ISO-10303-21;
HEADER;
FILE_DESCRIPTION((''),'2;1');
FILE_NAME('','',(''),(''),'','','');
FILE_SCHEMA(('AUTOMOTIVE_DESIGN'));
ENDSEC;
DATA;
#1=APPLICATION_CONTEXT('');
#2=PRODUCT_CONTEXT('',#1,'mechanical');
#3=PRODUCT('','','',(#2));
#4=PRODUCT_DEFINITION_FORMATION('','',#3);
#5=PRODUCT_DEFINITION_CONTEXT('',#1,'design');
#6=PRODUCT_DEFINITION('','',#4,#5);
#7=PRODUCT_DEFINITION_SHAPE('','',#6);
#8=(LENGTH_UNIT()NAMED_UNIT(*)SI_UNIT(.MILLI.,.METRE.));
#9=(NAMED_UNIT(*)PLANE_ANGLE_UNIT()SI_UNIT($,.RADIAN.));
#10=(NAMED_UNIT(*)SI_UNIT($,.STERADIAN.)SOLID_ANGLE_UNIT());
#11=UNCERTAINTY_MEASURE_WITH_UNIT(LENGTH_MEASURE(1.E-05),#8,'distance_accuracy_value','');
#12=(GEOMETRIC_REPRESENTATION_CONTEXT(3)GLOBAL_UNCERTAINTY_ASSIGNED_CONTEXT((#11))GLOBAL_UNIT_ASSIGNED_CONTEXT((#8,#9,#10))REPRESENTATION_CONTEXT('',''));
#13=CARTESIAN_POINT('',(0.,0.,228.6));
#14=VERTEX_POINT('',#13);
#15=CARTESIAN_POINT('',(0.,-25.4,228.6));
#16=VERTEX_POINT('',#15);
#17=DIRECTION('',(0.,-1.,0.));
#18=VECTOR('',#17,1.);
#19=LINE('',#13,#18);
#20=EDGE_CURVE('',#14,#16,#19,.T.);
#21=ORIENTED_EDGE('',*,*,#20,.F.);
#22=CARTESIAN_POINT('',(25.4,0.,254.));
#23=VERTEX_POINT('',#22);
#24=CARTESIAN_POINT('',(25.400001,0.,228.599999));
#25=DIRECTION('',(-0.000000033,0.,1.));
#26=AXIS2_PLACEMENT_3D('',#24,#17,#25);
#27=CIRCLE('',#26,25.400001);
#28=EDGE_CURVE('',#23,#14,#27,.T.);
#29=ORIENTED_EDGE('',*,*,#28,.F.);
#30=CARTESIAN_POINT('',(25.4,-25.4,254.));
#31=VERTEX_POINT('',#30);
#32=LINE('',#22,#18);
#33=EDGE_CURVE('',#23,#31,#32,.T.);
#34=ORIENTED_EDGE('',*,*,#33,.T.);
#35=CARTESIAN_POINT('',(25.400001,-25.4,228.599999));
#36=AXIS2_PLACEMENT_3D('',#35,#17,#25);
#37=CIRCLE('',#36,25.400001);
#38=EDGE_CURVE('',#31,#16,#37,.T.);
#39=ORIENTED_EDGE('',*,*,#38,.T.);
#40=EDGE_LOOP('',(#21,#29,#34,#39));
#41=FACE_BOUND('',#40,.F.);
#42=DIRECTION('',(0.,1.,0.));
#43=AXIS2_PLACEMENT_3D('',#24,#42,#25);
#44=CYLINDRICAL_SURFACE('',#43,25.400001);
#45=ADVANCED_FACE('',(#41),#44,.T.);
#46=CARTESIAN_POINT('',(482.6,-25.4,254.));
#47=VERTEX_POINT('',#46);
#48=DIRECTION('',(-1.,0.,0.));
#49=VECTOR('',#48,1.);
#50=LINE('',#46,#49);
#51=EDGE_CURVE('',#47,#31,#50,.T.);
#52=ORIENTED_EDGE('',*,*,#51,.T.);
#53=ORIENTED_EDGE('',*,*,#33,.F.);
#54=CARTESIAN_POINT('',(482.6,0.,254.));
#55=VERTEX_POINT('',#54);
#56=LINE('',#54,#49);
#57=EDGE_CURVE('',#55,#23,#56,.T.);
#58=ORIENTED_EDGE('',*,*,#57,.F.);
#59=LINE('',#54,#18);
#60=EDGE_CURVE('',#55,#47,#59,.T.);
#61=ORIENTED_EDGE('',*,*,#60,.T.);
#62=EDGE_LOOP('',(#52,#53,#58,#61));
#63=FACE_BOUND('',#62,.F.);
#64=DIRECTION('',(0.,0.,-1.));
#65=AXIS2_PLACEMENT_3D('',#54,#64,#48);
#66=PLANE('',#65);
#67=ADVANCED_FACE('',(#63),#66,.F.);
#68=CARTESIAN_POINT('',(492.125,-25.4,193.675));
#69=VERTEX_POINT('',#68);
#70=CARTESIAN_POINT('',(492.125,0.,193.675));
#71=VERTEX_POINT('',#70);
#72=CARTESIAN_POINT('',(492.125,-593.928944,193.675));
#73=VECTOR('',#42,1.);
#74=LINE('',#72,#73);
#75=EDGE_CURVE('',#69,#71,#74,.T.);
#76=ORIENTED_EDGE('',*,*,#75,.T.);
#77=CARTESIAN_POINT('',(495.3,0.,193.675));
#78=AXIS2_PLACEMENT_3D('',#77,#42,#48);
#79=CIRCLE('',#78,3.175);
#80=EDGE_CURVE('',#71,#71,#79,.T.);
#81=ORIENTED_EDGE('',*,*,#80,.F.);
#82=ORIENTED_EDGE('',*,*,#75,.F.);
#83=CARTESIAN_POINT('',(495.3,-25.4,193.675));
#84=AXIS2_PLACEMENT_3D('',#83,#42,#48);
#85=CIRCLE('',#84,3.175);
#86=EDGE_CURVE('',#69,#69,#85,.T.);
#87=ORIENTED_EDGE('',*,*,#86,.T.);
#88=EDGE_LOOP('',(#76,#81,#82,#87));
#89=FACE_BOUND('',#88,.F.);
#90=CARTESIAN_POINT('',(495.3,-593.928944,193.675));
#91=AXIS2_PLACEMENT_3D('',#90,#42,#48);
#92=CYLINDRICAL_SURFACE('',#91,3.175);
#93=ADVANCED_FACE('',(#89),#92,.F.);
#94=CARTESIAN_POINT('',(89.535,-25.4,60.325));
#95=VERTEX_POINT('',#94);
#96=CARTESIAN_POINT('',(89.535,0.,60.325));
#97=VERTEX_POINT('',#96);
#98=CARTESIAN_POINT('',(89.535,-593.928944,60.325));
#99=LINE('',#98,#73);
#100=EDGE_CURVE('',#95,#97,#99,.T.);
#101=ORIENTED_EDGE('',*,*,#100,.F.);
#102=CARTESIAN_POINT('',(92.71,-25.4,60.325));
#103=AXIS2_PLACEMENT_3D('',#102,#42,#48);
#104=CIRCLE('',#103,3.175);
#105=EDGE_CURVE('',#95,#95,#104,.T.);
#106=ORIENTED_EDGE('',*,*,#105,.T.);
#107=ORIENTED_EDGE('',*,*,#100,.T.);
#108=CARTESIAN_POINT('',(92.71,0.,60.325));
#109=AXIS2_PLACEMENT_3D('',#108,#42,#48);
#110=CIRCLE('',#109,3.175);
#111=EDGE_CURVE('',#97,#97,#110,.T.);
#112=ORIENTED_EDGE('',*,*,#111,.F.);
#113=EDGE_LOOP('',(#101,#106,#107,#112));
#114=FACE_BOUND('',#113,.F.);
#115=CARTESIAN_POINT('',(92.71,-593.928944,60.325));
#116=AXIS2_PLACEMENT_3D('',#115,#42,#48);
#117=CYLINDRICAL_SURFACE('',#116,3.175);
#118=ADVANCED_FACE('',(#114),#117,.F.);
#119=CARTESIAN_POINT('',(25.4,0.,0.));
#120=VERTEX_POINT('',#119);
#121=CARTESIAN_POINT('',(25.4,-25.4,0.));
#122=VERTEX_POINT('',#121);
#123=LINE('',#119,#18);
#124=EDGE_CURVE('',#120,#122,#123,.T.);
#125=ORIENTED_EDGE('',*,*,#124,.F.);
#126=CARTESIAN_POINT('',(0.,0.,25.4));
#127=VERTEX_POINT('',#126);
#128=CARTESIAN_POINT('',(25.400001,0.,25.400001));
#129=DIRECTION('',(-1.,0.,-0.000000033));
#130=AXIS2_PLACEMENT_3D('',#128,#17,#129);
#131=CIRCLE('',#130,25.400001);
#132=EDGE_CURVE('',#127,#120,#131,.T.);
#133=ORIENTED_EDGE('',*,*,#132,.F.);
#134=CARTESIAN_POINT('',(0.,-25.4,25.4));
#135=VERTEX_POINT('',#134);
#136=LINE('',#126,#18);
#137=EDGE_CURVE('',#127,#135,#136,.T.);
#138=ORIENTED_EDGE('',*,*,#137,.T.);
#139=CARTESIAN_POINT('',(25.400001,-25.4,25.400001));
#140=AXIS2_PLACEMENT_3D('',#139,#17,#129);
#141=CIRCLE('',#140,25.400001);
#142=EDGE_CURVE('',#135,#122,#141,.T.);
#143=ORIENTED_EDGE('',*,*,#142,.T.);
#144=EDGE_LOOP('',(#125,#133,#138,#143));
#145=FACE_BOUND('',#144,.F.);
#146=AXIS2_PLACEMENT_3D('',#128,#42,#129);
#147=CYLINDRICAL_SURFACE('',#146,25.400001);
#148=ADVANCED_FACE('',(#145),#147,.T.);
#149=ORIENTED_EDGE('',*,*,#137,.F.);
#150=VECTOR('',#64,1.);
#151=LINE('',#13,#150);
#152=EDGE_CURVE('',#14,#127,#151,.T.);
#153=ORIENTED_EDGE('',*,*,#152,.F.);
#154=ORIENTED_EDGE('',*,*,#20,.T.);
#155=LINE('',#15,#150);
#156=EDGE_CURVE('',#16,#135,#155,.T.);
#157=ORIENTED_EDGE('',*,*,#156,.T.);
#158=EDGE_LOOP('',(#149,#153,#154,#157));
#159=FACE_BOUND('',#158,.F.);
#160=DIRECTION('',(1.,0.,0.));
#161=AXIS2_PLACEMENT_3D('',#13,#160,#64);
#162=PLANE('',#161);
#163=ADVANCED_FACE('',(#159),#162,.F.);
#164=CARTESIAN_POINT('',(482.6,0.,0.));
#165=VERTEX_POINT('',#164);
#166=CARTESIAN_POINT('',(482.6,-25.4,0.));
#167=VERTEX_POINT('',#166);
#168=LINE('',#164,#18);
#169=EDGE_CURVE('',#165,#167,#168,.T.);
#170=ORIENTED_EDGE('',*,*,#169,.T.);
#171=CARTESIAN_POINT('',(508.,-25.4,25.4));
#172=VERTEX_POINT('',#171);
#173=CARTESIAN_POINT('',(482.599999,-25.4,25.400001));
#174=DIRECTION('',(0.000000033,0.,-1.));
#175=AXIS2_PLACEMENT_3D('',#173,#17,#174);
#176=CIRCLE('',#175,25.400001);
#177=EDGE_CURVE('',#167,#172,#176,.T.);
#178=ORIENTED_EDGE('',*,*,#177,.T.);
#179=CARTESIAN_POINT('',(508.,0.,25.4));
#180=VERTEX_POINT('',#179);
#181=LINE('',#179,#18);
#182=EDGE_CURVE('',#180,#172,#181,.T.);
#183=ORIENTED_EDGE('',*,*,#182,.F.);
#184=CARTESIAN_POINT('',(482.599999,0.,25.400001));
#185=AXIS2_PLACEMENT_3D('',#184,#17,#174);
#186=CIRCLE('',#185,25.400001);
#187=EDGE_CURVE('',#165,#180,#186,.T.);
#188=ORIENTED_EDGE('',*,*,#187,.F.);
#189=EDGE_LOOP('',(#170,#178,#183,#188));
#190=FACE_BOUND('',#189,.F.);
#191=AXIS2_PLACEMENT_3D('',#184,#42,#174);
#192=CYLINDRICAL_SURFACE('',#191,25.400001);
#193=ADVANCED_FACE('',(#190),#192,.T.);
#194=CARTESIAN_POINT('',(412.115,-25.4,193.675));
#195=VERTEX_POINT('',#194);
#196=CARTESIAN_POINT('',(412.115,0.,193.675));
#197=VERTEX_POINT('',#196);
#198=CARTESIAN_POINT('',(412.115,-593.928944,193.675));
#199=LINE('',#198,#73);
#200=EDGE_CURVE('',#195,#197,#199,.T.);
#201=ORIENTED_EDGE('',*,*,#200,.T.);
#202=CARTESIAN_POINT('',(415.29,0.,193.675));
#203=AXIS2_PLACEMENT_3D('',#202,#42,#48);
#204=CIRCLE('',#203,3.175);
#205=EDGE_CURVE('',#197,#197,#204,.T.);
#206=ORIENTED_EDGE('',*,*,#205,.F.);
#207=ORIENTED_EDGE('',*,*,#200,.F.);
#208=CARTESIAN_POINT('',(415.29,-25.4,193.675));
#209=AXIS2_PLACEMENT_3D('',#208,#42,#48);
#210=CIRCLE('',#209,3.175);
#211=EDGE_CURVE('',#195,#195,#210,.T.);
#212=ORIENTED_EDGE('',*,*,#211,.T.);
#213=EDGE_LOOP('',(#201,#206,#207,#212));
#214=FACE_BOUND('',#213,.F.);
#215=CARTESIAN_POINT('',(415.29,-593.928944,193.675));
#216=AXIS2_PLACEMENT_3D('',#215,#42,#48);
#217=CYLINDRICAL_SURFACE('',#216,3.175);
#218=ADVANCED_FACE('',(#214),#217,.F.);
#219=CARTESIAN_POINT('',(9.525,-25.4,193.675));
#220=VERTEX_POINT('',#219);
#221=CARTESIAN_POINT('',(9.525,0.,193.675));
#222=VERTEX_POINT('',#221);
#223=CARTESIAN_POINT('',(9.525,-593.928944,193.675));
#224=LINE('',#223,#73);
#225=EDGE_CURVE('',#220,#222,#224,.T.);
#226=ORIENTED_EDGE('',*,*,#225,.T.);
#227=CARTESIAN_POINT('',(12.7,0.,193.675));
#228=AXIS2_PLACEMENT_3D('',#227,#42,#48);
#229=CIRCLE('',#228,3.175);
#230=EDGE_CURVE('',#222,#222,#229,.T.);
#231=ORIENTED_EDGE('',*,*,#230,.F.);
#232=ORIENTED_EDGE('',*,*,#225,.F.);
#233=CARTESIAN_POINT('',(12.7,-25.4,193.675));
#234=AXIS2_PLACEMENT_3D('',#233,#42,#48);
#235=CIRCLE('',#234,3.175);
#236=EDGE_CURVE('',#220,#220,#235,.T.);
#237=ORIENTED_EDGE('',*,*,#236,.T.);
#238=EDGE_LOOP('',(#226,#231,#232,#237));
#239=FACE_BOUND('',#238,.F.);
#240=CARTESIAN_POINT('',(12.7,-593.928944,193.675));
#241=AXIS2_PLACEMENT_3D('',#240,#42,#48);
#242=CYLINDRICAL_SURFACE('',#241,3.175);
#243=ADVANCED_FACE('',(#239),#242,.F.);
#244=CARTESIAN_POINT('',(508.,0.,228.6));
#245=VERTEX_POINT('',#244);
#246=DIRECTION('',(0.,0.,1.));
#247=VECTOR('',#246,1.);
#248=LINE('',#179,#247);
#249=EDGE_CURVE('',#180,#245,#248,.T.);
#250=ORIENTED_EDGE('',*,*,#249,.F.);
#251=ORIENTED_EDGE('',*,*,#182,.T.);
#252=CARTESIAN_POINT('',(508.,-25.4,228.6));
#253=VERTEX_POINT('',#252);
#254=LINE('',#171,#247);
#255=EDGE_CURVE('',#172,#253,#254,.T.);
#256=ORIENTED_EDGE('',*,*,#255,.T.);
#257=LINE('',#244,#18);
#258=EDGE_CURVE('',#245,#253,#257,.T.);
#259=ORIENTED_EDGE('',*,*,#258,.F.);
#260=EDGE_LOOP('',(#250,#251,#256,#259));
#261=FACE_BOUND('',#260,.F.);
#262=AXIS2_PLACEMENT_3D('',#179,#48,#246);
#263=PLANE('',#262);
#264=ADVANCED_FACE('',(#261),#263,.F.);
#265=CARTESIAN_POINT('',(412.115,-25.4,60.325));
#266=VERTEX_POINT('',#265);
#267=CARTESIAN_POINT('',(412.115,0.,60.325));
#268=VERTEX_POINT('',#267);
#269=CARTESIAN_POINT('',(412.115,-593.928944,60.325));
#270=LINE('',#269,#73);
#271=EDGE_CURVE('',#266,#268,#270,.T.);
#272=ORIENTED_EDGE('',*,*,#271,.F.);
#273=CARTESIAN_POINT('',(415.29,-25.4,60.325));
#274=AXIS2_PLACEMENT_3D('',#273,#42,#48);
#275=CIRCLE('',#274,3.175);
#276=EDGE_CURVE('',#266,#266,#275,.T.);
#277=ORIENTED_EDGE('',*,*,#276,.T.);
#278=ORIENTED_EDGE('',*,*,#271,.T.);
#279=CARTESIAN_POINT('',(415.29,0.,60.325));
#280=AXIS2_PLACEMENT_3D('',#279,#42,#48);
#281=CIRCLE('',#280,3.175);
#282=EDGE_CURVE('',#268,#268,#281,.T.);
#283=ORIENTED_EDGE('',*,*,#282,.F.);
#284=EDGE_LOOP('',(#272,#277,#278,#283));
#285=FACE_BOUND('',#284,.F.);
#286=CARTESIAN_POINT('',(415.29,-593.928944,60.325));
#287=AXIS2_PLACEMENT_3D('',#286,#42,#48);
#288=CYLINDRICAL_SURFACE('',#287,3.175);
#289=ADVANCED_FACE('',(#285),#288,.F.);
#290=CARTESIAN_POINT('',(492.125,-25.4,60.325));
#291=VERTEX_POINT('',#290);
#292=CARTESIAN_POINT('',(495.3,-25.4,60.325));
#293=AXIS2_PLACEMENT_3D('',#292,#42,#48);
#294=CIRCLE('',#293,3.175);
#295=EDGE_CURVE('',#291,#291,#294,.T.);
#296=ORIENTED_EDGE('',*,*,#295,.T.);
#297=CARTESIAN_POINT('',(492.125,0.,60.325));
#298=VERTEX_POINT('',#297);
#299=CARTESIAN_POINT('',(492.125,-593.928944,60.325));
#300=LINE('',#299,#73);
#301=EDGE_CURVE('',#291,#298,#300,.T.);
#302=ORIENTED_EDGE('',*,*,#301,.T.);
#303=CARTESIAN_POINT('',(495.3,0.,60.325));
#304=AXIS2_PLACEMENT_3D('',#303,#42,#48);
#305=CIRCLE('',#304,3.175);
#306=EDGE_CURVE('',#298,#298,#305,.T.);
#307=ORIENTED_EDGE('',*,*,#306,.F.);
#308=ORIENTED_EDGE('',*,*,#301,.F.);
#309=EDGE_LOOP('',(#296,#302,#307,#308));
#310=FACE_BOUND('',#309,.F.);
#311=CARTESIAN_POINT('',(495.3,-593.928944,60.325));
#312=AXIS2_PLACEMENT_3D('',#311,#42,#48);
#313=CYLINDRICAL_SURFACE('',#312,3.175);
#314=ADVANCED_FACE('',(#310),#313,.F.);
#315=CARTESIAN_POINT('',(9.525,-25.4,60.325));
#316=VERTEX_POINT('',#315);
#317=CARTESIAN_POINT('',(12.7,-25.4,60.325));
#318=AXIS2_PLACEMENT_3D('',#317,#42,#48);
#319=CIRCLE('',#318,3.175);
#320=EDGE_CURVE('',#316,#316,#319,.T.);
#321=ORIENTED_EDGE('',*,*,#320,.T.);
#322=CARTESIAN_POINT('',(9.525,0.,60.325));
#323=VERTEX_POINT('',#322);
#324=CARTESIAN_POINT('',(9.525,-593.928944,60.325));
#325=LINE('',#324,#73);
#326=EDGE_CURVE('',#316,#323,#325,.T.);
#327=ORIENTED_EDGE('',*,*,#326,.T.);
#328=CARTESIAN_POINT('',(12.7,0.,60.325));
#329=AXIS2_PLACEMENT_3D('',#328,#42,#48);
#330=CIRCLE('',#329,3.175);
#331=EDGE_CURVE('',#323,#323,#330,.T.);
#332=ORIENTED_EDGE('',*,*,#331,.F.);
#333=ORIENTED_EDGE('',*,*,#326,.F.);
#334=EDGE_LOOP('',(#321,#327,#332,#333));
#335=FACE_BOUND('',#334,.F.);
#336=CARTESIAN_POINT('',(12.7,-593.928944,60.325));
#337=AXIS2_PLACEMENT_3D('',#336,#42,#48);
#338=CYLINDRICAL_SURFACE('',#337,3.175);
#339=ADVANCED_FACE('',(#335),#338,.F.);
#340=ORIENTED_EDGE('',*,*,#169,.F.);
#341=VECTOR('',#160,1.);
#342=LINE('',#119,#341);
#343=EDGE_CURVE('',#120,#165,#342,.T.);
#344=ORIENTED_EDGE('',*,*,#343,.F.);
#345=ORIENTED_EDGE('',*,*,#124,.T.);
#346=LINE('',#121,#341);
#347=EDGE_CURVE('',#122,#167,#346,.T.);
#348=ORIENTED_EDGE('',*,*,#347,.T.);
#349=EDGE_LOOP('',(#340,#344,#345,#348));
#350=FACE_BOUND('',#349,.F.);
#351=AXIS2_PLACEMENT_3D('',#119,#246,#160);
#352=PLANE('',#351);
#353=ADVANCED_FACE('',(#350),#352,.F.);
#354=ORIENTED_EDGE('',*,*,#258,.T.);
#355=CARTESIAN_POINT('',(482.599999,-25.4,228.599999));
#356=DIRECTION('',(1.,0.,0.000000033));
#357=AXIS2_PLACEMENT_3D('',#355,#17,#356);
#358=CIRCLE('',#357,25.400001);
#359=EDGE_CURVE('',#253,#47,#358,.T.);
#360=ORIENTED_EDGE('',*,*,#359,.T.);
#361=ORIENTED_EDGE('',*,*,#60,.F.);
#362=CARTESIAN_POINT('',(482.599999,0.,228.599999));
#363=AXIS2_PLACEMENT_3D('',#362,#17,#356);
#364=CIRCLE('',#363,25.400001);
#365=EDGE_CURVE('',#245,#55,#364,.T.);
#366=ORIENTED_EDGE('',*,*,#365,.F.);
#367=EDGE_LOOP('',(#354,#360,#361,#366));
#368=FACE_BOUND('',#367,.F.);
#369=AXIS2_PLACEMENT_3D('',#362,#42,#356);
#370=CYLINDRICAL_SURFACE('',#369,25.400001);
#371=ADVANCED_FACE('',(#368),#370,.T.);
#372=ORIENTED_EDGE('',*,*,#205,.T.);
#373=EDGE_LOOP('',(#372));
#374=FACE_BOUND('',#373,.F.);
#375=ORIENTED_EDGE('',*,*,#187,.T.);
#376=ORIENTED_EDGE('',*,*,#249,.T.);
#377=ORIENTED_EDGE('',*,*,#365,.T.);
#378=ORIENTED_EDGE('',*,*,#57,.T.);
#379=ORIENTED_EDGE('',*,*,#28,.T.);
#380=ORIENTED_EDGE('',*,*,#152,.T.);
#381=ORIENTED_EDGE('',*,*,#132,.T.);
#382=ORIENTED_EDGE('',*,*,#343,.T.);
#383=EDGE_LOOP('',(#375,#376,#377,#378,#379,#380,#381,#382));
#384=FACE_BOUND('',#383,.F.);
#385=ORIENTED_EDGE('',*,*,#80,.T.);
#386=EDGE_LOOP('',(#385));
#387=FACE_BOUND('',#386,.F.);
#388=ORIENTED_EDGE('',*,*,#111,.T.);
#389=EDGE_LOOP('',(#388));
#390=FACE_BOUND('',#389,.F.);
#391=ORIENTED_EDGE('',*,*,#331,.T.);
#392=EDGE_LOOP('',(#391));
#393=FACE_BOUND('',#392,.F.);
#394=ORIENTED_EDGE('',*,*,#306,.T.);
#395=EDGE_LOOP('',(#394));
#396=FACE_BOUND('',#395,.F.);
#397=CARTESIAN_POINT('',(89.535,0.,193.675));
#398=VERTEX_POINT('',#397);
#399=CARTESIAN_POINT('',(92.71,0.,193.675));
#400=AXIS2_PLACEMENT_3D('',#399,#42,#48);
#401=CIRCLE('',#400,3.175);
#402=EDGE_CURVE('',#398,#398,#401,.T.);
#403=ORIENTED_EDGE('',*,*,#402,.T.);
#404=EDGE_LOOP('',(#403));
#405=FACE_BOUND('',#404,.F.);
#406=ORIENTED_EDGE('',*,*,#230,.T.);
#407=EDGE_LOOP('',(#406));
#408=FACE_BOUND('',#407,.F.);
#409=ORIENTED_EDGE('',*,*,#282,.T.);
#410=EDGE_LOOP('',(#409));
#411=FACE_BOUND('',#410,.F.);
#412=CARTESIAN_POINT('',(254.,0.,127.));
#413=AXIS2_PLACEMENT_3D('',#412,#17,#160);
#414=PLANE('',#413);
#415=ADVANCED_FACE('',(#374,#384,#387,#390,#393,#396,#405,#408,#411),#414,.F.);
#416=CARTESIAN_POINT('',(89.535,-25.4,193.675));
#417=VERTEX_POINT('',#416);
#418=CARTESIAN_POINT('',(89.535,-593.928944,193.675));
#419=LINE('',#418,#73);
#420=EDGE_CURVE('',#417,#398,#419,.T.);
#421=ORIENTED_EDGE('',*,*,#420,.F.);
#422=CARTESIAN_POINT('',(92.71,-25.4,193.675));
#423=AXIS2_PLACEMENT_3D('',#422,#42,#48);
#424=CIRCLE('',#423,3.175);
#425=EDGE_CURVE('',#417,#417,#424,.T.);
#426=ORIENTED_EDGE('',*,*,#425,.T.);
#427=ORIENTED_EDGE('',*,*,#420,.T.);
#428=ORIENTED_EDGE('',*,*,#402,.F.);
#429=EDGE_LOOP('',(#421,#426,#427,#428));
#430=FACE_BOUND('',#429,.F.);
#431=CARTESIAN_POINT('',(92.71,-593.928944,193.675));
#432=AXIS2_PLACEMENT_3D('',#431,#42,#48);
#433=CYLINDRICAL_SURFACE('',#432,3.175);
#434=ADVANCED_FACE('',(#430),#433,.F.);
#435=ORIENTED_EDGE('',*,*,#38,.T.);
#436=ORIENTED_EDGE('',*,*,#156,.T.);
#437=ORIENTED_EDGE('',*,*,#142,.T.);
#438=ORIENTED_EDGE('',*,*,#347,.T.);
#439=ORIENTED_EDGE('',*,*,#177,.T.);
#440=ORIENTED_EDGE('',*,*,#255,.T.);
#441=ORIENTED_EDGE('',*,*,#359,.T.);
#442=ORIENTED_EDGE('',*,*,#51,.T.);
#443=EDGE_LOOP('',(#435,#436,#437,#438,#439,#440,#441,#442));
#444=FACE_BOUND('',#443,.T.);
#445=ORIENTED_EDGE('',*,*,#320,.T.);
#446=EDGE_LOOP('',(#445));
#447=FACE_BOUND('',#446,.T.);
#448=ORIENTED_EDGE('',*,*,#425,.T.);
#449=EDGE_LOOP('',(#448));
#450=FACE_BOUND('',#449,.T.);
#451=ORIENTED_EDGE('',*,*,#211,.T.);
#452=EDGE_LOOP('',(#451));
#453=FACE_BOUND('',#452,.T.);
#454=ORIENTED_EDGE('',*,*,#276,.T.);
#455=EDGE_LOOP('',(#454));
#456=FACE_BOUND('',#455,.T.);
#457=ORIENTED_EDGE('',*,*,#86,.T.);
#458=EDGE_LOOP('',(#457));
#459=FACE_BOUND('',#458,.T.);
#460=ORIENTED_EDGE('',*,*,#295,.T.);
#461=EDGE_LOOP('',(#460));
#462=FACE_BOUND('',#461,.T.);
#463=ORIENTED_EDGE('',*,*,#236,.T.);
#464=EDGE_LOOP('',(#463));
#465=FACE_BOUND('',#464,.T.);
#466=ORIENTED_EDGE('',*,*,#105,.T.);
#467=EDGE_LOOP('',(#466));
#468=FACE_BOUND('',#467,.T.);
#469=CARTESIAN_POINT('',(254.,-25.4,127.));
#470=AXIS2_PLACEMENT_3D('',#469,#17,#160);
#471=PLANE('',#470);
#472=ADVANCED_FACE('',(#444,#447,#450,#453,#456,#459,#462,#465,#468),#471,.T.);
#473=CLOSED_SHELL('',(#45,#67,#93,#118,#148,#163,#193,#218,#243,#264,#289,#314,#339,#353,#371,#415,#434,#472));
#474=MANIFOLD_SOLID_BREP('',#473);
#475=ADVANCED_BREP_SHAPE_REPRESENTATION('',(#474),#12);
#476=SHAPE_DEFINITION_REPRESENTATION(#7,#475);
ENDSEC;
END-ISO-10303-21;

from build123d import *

# Parameters (mm, degrees)
F1_DEPTH = 25.4
F3_D     = 6.35


with BuildPart() as f1:
    # F0 (on Front) → F1 (new body)
    with BuildSketch(Plane.XZ):
        with BuildLine():
            Line((0, 228.6), (0, 25.4))
            ThreePointArc((0, 25.4), (7.439488, 7.439488), (25.4, 0))
            Line((25.4, 0), (482.6, 0))
            ThreePointArc((482.6, 0), (500.560512, 7.439488), (508, 25.4))
            Line((508, 25.4), (508, 228.6))
            ThreePointArc((508, 228.6), (500.560512, 246.560512), (482.6, 254))
            Line((482.6, 254), (25.4, 254))
            ThreePointArc((25.4, 254), (7.439488, 246.560512), (0, 228.6))
        make_face()
    extrude(amount=F1_DEPTH)

    # F3 (through all)
    with Locations(Plane.XZ.offset(25.4)):
        with Locations((12.7, 193.675), (92.71, 193.675), (12.7, 60.325), (92.71, 60.325), (415.29, 193.675), (495.3, 193.675), (415.29, 60.325), (495.3, 60.325)):
            Hole(F3_D / 2)


solid = f1.part
